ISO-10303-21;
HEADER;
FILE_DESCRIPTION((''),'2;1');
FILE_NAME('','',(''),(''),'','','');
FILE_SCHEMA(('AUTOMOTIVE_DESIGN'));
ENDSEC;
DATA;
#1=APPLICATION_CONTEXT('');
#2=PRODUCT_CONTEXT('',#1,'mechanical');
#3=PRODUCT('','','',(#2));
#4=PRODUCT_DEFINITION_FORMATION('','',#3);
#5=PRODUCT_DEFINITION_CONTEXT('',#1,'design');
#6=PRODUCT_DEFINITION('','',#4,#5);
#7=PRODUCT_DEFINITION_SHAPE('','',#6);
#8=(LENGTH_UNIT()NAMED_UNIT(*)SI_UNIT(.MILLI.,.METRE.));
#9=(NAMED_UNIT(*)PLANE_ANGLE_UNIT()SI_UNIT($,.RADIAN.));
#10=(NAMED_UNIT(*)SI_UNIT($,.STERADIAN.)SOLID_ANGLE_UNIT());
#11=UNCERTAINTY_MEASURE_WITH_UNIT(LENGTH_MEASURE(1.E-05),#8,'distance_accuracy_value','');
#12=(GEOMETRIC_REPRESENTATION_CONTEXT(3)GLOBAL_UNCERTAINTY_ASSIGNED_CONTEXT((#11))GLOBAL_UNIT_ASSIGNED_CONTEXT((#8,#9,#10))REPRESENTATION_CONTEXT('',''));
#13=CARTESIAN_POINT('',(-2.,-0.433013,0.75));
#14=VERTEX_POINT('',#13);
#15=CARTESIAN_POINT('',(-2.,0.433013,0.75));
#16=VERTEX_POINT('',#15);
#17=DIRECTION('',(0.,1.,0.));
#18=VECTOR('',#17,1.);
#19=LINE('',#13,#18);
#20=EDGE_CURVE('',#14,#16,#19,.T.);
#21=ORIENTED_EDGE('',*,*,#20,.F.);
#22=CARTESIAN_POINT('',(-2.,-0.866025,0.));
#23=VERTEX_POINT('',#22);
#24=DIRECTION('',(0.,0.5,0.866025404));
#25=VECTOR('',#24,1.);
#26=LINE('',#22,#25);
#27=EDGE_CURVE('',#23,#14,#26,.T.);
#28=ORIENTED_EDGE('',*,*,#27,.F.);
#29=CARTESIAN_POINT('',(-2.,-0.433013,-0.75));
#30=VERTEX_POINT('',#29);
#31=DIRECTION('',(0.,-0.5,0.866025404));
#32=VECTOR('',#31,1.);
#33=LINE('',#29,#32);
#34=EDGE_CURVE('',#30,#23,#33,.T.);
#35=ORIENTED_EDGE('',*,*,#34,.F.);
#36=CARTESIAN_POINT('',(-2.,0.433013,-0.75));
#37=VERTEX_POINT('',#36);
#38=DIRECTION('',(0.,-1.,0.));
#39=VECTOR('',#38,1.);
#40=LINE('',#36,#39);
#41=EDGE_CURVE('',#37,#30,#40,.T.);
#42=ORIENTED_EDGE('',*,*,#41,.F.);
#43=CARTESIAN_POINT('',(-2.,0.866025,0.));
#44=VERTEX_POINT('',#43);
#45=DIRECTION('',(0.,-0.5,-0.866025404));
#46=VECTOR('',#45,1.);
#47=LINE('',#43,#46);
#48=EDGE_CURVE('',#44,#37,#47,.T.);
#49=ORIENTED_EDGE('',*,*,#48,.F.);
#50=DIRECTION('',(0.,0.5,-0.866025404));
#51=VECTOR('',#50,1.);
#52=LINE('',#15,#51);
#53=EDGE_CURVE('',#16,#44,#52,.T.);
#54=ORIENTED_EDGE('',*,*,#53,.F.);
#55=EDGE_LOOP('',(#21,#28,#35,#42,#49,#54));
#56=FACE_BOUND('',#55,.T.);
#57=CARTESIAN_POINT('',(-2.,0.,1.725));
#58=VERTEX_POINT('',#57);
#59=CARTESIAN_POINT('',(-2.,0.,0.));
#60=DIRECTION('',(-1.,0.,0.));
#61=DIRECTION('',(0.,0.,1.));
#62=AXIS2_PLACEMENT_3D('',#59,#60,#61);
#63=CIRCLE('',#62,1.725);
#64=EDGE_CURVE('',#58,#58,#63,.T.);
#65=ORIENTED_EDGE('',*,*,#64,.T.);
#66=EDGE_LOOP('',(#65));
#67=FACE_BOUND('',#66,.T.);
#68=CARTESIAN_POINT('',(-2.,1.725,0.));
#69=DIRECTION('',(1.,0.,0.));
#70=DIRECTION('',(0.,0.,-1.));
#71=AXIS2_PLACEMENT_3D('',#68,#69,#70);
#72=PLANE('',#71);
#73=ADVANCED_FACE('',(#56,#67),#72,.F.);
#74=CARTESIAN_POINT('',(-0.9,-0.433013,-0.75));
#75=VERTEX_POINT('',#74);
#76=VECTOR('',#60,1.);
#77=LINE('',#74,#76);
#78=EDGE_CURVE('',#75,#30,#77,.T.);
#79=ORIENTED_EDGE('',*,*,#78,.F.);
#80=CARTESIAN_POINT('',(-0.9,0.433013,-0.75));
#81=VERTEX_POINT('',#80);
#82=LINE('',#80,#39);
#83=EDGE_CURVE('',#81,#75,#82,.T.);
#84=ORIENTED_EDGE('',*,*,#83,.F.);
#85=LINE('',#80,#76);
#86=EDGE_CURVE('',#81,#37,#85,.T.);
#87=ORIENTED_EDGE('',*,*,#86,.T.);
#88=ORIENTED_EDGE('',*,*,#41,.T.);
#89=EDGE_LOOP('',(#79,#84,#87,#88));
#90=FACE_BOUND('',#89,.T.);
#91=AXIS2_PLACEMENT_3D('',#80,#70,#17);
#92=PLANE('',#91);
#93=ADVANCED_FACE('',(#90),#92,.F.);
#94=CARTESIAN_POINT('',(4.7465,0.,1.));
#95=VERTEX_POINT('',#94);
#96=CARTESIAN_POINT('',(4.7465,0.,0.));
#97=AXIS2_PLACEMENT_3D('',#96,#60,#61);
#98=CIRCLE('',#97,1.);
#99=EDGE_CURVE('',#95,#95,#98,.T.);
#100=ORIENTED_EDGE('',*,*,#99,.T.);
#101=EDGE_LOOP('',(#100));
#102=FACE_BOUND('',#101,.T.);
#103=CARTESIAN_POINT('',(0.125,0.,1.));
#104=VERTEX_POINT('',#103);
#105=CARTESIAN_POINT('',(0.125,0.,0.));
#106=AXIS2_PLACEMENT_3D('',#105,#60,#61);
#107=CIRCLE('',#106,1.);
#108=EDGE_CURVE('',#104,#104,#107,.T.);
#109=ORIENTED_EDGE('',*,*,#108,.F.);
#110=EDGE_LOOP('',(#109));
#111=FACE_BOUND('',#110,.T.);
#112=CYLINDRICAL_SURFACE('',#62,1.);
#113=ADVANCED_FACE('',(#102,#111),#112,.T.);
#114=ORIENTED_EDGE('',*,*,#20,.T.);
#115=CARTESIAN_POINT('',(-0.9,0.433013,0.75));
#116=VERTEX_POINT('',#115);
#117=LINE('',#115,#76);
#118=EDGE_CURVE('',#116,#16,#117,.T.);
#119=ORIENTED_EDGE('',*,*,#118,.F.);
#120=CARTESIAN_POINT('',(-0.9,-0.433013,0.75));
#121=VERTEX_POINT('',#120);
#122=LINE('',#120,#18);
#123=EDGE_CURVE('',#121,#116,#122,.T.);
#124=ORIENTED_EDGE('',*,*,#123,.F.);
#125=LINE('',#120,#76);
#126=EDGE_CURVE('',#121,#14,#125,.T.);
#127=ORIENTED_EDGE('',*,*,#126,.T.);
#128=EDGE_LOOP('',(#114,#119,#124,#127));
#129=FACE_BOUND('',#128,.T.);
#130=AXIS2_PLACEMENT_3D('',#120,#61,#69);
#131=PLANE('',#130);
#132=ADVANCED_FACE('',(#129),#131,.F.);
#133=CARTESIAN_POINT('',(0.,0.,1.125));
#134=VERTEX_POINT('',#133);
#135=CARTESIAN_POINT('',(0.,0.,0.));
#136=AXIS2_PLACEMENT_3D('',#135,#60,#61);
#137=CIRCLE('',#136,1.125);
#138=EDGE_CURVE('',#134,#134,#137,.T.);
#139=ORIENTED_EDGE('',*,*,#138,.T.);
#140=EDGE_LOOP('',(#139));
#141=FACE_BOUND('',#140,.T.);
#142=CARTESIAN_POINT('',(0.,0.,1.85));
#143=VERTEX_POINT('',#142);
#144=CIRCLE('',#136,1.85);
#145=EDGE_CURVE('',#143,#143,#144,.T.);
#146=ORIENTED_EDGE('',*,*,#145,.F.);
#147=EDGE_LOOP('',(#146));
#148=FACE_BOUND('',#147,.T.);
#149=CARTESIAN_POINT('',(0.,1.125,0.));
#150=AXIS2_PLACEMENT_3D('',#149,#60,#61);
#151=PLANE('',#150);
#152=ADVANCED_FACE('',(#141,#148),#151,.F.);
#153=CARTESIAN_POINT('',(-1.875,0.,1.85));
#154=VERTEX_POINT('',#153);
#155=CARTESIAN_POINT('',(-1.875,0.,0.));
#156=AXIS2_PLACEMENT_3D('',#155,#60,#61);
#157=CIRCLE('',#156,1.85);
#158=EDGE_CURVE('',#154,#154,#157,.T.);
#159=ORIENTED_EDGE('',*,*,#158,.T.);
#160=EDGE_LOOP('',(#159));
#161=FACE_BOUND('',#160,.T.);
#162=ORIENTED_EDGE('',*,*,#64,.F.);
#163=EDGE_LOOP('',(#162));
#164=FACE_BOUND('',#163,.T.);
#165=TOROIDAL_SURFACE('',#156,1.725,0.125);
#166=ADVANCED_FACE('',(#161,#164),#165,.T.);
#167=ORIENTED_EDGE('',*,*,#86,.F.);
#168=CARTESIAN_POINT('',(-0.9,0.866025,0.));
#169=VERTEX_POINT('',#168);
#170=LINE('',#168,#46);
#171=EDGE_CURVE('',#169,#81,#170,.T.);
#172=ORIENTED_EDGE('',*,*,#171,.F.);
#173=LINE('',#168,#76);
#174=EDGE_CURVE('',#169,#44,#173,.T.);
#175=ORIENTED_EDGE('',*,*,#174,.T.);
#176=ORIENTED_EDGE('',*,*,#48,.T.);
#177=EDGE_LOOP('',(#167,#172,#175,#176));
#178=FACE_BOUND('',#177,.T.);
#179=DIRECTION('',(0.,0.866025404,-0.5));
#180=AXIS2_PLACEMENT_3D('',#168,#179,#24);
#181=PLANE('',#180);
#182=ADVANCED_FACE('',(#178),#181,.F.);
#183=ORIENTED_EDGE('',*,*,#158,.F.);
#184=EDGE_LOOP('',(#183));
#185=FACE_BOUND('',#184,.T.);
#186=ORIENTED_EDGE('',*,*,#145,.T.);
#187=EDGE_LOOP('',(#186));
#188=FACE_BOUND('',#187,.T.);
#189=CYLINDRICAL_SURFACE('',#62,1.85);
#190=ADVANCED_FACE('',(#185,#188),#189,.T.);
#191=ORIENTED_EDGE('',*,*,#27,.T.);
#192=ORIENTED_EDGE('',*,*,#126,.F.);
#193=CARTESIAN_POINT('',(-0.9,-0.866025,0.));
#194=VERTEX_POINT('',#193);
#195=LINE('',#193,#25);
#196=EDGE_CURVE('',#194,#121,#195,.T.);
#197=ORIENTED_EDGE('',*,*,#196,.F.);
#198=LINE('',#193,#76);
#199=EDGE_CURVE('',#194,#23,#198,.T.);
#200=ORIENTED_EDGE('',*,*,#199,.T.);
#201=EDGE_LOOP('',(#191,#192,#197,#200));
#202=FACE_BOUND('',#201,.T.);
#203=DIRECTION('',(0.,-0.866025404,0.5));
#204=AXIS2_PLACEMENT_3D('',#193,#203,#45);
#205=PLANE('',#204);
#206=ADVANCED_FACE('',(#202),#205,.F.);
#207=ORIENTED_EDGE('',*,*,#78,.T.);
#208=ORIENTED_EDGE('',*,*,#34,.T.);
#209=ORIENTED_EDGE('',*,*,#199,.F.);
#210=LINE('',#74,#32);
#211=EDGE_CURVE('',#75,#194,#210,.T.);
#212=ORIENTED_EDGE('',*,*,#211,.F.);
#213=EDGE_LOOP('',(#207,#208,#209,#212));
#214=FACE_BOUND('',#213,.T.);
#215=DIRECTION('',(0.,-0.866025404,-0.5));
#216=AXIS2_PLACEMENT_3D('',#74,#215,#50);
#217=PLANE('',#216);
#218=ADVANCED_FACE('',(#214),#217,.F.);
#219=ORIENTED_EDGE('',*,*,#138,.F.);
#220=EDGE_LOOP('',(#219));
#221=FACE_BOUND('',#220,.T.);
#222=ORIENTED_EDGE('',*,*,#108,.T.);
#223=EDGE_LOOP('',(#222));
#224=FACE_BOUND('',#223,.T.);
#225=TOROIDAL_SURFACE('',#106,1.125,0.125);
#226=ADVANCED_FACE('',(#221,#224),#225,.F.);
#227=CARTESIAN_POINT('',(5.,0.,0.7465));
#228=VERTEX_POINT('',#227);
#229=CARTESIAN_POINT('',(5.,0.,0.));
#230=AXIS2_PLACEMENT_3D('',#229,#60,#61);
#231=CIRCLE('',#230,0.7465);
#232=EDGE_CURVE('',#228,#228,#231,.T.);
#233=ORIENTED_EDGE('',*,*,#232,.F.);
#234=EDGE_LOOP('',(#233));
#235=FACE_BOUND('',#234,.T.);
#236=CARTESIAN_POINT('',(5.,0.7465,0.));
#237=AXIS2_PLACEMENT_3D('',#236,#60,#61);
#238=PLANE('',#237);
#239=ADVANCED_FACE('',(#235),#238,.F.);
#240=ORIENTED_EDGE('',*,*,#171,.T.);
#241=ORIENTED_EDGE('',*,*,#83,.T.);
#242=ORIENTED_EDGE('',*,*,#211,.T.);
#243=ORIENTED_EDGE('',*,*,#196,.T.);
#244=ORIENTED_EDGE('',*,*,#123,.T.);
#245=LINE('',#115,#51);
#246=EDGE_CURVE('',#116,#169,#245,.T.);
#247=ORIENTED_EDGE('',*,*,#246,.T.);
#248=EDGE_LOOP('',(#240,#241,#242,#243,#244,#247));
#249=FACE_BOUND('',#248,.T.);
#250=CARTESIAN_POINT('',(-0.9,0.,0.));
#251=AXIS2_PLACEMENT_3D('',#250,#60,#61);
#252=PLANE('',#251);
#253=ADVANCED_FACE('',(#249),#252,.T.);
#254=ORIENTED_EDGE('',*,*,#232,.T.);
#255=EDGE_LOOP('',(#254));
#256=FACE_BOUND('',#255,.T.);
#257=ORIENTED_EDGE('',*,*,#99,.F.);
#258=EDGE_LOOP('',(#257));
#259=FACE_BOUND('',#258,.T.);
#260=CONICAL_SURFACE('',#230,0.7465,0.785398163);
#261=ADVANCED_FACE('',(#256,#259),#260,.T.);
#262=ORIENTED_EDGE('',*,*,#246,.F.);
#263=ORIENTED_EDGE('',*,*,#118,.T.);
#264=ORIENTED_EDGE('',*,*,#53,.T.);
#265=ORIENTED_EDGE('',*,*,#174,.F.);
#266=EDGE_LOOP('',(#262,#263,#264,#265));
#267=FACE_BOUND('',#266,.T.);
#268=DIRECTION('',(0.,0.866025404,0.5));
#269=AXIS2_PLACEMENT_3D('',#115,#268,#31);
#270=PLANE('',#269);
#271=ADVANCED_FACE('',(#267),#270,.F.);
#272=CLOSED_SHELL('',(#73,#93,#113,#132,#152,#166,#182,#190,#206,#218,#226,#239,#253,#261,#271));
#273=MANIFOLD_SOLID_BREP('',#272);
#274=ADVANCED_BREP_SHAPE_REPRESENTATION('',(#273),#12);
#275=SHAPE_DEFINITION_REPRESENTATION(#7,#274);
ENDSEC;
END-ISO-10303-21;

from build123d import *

# Parameters (mm, degrees)
CUT_EXTRUDE1_DEPTH = 1.1


with BuildPart() as part:
    # Sketch1 → Revolve1 (revolve)
    with BuildSketch(Plane.XY):
        with BuildLine():
            Line((4.7465, 1), (0.125, 1))
            ThreePointArc((0.125, 1), (0.036611652, 1.036611652), (0, 1.125))
            Line((0, 1.125), (0, 1.85))
            Line((0, 1.85), (-1.875, 1.85))
            ThreePointArc((-1.875, 1.85), (-1.963388348, 1.813388348), (-2, 1.725))
            Line((-2, 1.725), (-2, 0))
            Line((-2, 0), (5, 0))
            Line((5, 0), (5, 0.7465))
            Line((5, 0.7465), (4.7465, 1))
        make_face()
    revolve(axis=Axis((-2, 0, 0), (1, 0, 0)))

    # Sketch2 → Cut-Extrude1 (cut)
    with BuildSketch(Plane.ZY.offset(2)):
        Polygon((0.75, 0.433012702), (0, 0.866025404), (-0.75, 0.433012702), (-0.75, -0.433012702), (0, -0.866025404), (0.75, -0.433012702), align=None)
    extrude(amount=-CUT_EXTRUDE1_DEPTH, mode=Mode.SUBTRACT)


solid = part.part
